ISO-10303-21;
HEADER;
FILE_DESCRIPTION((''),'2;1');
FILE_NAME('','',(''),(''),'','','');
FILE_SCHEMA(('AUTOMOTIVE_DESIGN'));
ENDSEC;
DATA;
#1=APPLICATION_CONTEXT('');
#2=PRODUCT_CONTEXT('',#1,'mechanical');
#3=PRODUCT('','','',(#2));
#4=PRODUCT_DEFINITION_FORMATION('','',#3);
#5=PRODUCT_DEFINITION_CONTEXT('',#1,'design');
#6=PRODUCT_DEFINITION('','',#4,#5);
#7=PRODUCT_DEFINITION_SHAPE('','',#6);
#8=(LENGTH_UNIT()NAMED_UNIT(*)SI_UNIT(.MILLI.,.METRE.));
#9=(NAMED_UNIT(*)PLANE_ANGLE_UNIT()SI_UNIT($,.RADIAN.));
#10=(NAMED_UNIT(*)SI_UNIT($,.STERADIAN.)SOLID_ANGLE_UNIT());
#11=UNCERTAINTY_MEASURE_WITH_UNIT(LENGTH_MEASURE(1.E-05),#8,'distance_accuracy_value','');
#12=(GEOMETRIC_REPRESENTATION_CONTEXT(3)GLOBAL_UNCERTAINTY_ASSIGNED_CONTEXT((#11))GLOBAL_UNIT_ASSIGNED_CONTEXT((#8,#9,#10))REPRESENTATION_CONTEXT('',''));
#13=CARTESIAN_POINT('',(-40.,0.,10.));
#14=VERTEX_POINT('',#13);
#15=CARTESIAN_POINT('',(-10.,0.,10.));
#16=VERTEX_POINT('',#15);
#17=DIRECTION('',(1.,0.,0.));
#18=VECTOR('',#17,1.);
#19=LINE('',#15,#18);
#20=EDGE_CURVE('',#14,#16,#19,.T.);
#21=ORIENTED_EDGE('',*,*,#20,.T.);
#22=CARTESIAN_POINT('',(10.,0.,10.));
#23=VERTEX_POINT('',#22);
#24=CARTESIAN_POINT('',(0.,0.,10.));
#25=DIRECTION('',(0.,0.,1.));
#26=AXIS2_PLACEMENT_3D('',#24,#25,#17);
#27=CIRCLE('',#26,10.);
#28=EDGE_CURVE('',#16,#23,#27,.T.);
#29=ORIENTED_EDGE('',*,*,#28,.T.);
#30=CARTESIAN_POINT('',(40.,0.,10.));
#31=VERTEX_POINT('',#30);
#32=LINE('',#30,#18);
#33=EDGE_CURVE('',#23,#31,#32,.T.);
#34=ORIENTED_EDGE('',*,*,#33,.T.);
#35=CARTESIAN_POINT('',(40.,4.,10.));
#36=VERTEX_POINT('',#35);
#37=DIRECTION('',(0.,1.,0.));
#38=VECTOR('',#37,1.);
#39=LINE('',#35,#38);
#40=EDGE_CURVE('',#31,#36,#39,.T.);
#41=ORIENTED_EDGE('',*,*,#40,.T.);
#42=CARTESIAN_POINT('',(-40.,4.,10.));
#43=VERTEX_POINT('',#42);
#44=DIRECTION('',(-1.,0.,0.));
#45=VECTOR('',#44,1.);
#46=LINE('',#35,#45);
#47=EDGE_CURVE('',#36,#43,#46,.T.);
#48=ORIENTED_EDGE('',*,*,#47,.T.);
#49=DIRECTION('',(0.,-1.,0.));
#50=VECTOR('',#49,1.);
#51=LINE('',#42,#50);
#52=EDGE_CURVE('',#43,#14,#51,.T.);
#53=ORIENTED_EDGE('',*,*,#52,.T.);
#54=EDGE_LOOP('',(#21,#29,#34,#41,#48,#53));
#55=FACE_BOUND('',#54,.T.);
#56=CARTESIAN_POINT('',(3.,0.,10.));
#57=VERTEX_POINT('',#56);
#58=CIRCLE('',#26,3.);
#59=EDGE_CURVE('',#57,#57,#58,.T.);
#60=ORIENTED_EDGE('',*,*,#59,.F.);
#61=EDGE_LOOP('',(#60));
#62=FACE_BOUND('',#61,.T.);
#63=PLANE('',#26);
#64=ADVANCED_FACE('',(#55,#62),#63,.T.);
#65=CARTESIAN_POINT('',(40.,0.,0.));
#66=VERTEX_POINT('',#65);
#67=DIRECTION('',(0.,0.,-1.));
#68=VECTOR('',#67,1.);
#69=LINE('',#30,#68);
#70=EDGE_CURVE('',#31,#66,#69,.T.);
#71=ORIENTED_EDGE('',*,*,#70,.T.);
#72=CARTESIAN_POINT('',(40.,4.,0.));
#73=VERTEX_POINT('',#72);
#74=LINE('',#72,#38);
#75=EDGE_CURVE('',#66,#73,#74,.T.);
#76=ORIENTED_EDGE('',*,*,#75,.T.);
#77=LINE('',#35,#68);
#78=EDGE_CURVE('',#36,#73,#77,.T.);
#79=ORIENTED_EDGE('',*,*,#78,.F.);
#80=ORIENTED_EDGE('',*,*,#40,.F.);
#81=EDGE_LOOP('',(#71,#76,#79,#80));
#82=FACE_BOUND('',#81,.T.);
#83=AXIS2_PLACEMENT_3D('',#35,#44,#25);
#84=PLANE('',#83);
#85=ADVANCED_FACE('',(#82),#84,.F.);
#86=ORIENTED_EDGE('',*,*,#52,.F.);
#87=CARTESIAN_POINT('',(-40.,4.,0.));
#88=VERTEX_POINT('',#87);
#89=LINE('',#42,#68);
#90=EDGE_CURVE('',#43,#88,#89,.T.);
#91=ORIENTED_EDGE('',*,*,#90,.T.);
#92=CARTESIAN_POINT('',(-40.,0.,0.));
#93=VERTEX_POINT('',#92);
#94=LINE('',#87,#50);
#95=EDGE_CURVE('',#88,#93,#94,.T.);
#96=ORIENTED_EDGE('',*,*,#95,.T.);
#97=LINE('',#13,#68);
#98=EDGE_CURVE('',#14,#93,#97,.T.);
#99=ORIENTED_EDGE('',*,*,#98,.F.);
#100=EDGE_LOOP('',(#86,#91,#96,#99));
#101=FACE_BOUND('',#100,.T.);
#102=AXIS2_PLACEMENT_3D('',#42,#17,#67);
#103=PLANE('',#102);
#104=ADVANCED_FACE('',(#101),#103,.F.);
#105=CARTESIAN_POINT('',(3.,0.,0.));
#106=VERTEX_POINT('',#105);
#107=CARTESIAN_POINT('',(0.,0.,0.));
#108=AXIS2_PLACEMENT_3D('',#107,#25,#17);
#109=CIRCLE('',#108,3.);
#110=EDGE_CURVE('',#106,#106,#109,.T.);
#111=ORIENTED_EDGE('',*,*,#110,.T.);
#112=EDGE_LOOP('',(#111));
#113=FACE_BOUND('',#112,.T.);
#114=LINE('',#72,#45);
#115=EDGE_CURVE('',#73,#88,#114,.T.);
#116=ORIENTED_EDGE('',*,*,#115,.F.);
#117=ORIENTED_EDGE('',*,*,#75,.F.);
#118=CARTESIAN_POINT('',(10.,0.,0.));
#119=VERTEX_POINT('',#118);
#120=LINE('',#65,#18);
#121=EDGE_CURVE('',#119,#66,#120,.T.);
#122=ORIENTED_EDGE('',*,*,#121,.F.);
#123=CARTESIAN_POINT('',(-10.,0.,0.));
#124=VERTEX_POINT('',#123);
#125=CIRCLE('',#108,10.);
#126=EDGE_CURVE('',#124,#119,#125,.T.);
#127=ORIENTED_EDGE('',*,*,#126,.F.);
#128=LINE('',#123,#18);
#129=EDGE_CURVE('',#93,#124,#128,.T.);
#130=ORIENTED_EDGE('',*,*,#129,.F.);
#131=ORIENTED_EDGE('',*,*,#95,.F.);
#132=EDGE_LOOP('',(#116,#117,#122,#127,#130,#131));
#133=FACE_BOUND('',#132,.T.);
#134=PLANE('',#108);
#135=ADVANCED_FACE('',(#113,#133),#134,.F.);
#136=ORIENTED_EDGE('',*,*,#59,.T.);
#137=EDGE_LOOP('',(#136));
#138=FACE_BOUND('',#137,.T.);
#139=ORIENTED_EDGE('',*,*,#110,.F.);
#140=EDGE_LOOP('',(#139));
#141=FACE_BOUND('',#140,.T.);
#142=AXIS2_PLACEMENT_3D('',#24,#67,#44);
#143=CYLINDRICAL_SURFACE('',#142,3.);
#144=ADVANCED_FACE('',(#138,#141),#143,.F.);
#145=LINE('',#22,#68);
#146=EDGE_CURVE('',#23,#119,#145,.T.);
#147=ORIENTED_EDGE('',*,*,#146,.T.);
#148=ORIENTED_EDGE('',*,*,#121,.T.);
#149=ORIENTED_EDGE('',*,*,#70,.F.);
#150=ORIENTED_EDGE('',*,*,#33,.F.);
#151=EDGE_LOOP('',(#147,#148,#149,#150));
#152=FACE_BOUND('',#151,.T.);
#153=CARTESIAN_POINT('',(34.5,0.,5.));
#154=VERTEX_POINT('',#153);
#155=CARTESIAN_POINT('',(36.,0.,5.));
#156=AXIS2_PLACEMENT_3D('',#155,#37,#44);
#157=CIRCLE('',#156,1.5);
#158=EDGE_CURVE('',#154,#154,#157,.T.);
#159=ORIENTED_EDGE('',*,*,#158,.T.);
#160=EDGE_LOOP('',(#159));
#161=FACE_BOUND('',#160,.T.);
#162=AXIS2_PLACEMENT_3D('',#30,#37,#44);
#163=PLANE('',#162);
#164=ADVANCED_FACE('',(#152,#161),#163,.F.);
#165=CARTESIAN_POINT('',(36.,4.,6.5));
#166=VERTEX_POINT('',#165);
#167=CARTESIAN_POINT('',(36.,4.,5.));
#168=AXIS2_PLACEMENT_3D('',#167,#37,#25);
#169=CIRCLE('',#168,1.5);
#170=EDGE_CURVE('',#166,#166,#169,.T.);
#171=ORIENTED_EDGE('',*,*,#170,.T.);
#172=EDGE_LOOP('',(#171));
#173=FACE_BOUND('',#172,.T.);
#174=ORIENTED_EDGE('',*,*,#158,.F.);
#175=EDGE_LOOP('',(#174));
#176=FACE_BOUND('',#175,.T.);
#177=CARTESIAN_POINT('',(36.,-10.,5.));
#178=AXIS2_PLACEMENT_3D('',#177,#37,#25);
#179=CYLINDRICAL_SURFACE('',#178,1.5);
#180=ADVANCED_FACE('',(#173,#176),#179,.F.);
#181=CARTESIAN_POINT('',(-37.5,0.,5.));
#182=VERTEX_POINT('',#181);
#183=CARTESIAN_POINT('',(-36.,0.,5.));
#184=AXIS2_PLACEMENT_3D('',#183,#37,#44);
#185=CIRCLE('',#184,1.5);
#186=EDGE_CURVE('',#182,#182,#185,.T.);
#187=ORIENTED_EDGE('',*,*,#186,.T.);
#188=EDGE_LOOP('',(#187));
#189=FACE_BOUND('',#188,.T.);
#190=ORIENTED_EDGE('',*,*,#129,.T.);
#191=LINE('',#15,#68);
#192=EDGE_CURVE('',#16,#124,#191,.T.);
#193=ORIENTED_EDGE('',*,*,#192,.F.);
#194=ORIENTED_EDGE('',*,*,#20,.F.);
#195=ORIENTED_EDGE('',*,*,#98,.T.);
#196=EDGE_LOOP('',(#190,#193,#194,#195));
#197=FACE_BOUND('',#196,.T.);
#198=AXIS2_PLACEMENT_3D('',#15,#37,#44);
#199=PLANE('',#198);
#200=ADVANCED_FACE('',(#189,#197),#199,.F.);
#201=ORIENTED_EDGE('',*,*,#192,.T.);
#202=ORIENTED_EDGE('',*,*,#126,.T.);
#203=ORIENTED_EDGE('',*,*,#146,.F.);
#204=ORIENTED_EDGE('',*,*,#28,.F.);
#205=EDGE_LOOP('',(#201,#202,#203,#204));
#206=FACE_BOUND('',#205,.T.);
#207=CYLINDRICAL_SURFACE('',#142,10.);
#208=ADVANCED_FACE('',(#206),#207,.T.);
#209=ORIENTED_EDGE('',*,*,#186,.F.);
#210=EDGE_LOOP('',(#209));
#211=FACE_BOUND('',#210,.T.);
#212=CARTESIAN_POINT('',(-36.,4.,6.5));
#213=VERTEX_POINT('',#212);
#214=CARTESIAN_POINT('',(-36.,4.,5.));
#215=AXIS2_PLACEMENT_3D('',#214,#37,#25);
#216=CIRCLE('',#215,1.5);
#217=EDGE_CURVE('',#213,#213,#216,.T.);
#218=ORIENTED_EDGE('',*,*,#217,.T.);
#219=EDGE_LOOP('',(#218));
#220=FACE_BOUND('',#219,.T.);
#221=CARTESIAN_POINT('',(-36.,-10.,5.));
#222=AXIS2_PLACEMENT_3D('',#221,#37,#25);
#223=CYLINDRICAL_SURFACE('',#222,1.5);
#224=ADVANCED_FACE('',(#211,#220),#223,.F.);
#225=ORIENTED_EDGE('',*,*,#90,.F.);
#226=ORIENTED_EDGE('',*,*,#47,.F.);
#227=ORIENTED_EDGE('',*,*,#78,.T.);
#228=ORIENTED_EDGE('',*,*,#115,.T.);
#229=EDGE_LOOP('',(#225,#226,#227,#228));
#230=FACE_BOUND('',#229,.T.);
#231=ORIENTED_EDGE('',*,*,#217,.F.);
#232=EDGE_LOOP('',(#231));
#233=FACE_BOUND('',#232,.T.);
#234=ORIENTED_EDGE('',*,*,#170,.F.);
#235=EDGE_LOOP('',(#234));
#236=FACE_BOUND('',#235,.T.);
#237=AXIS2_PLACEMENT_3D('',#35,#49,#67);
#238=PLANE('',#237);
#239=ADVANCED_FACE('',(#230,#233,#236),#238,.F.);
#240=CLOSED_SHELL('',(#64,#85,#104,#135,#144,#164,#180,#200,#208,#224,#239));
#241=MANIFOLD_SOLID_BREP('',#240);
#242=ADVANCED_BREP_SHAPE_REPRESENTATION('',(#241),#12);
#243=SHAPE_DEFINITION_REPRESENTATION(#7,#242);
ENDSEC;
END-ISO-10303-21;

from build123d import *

# Parameters (mm, degrees)
ESQUISSE1_R             = 3
BOSS_EXTRU_1_DEPTH      = 10
ESQUISSE2_R             = 1.5
ENL_V_MAT_EXTRU_1_DEPTH = 44.543082114


with BuildPart() as part:
    # Esquisse1 → Boss.-Extru.1 (new body)
    with BuildSketch(Plane.XY):
        with BuildLine():
            Line((-10, 0), (-40, 0))
            Line((-40, 0), (-40, 4))
            Line((-40, 4), (40, 4))
            Line((40, 4), (40, 0))
            Line((40, 0), (10, 0))
            ThreePointArc((10, 0), (0, -10), (-10, 0))
        make_face()
        Circle(ESQUISSE1_R, mode=Mode.SUBTRACT)
    extrude(amount=BOSS_EXTRU_1_DEPTH)

    # Esquisse2 → Enlèv. mat.-Extru.1 (cut, through all)
    with BuildSketch(Plane(origin=(0, 4, 0), x_dir=(1, 0, 0), z_dir=(0, 1, 0))):
        with Locations(Location((-36, -5, 0), (0, 0, 270))):
            Circle(ESQUISSE2_R)
        with Locations(Location((36, -5, 0), (0, 0, 270))):
            Circle(ESQUISSE2_R)
    extrude(amount=-ENL_V_MAT_EXTRU_1_DEPTH, mode=Mode.SUBTRACT)


solid = part.part
